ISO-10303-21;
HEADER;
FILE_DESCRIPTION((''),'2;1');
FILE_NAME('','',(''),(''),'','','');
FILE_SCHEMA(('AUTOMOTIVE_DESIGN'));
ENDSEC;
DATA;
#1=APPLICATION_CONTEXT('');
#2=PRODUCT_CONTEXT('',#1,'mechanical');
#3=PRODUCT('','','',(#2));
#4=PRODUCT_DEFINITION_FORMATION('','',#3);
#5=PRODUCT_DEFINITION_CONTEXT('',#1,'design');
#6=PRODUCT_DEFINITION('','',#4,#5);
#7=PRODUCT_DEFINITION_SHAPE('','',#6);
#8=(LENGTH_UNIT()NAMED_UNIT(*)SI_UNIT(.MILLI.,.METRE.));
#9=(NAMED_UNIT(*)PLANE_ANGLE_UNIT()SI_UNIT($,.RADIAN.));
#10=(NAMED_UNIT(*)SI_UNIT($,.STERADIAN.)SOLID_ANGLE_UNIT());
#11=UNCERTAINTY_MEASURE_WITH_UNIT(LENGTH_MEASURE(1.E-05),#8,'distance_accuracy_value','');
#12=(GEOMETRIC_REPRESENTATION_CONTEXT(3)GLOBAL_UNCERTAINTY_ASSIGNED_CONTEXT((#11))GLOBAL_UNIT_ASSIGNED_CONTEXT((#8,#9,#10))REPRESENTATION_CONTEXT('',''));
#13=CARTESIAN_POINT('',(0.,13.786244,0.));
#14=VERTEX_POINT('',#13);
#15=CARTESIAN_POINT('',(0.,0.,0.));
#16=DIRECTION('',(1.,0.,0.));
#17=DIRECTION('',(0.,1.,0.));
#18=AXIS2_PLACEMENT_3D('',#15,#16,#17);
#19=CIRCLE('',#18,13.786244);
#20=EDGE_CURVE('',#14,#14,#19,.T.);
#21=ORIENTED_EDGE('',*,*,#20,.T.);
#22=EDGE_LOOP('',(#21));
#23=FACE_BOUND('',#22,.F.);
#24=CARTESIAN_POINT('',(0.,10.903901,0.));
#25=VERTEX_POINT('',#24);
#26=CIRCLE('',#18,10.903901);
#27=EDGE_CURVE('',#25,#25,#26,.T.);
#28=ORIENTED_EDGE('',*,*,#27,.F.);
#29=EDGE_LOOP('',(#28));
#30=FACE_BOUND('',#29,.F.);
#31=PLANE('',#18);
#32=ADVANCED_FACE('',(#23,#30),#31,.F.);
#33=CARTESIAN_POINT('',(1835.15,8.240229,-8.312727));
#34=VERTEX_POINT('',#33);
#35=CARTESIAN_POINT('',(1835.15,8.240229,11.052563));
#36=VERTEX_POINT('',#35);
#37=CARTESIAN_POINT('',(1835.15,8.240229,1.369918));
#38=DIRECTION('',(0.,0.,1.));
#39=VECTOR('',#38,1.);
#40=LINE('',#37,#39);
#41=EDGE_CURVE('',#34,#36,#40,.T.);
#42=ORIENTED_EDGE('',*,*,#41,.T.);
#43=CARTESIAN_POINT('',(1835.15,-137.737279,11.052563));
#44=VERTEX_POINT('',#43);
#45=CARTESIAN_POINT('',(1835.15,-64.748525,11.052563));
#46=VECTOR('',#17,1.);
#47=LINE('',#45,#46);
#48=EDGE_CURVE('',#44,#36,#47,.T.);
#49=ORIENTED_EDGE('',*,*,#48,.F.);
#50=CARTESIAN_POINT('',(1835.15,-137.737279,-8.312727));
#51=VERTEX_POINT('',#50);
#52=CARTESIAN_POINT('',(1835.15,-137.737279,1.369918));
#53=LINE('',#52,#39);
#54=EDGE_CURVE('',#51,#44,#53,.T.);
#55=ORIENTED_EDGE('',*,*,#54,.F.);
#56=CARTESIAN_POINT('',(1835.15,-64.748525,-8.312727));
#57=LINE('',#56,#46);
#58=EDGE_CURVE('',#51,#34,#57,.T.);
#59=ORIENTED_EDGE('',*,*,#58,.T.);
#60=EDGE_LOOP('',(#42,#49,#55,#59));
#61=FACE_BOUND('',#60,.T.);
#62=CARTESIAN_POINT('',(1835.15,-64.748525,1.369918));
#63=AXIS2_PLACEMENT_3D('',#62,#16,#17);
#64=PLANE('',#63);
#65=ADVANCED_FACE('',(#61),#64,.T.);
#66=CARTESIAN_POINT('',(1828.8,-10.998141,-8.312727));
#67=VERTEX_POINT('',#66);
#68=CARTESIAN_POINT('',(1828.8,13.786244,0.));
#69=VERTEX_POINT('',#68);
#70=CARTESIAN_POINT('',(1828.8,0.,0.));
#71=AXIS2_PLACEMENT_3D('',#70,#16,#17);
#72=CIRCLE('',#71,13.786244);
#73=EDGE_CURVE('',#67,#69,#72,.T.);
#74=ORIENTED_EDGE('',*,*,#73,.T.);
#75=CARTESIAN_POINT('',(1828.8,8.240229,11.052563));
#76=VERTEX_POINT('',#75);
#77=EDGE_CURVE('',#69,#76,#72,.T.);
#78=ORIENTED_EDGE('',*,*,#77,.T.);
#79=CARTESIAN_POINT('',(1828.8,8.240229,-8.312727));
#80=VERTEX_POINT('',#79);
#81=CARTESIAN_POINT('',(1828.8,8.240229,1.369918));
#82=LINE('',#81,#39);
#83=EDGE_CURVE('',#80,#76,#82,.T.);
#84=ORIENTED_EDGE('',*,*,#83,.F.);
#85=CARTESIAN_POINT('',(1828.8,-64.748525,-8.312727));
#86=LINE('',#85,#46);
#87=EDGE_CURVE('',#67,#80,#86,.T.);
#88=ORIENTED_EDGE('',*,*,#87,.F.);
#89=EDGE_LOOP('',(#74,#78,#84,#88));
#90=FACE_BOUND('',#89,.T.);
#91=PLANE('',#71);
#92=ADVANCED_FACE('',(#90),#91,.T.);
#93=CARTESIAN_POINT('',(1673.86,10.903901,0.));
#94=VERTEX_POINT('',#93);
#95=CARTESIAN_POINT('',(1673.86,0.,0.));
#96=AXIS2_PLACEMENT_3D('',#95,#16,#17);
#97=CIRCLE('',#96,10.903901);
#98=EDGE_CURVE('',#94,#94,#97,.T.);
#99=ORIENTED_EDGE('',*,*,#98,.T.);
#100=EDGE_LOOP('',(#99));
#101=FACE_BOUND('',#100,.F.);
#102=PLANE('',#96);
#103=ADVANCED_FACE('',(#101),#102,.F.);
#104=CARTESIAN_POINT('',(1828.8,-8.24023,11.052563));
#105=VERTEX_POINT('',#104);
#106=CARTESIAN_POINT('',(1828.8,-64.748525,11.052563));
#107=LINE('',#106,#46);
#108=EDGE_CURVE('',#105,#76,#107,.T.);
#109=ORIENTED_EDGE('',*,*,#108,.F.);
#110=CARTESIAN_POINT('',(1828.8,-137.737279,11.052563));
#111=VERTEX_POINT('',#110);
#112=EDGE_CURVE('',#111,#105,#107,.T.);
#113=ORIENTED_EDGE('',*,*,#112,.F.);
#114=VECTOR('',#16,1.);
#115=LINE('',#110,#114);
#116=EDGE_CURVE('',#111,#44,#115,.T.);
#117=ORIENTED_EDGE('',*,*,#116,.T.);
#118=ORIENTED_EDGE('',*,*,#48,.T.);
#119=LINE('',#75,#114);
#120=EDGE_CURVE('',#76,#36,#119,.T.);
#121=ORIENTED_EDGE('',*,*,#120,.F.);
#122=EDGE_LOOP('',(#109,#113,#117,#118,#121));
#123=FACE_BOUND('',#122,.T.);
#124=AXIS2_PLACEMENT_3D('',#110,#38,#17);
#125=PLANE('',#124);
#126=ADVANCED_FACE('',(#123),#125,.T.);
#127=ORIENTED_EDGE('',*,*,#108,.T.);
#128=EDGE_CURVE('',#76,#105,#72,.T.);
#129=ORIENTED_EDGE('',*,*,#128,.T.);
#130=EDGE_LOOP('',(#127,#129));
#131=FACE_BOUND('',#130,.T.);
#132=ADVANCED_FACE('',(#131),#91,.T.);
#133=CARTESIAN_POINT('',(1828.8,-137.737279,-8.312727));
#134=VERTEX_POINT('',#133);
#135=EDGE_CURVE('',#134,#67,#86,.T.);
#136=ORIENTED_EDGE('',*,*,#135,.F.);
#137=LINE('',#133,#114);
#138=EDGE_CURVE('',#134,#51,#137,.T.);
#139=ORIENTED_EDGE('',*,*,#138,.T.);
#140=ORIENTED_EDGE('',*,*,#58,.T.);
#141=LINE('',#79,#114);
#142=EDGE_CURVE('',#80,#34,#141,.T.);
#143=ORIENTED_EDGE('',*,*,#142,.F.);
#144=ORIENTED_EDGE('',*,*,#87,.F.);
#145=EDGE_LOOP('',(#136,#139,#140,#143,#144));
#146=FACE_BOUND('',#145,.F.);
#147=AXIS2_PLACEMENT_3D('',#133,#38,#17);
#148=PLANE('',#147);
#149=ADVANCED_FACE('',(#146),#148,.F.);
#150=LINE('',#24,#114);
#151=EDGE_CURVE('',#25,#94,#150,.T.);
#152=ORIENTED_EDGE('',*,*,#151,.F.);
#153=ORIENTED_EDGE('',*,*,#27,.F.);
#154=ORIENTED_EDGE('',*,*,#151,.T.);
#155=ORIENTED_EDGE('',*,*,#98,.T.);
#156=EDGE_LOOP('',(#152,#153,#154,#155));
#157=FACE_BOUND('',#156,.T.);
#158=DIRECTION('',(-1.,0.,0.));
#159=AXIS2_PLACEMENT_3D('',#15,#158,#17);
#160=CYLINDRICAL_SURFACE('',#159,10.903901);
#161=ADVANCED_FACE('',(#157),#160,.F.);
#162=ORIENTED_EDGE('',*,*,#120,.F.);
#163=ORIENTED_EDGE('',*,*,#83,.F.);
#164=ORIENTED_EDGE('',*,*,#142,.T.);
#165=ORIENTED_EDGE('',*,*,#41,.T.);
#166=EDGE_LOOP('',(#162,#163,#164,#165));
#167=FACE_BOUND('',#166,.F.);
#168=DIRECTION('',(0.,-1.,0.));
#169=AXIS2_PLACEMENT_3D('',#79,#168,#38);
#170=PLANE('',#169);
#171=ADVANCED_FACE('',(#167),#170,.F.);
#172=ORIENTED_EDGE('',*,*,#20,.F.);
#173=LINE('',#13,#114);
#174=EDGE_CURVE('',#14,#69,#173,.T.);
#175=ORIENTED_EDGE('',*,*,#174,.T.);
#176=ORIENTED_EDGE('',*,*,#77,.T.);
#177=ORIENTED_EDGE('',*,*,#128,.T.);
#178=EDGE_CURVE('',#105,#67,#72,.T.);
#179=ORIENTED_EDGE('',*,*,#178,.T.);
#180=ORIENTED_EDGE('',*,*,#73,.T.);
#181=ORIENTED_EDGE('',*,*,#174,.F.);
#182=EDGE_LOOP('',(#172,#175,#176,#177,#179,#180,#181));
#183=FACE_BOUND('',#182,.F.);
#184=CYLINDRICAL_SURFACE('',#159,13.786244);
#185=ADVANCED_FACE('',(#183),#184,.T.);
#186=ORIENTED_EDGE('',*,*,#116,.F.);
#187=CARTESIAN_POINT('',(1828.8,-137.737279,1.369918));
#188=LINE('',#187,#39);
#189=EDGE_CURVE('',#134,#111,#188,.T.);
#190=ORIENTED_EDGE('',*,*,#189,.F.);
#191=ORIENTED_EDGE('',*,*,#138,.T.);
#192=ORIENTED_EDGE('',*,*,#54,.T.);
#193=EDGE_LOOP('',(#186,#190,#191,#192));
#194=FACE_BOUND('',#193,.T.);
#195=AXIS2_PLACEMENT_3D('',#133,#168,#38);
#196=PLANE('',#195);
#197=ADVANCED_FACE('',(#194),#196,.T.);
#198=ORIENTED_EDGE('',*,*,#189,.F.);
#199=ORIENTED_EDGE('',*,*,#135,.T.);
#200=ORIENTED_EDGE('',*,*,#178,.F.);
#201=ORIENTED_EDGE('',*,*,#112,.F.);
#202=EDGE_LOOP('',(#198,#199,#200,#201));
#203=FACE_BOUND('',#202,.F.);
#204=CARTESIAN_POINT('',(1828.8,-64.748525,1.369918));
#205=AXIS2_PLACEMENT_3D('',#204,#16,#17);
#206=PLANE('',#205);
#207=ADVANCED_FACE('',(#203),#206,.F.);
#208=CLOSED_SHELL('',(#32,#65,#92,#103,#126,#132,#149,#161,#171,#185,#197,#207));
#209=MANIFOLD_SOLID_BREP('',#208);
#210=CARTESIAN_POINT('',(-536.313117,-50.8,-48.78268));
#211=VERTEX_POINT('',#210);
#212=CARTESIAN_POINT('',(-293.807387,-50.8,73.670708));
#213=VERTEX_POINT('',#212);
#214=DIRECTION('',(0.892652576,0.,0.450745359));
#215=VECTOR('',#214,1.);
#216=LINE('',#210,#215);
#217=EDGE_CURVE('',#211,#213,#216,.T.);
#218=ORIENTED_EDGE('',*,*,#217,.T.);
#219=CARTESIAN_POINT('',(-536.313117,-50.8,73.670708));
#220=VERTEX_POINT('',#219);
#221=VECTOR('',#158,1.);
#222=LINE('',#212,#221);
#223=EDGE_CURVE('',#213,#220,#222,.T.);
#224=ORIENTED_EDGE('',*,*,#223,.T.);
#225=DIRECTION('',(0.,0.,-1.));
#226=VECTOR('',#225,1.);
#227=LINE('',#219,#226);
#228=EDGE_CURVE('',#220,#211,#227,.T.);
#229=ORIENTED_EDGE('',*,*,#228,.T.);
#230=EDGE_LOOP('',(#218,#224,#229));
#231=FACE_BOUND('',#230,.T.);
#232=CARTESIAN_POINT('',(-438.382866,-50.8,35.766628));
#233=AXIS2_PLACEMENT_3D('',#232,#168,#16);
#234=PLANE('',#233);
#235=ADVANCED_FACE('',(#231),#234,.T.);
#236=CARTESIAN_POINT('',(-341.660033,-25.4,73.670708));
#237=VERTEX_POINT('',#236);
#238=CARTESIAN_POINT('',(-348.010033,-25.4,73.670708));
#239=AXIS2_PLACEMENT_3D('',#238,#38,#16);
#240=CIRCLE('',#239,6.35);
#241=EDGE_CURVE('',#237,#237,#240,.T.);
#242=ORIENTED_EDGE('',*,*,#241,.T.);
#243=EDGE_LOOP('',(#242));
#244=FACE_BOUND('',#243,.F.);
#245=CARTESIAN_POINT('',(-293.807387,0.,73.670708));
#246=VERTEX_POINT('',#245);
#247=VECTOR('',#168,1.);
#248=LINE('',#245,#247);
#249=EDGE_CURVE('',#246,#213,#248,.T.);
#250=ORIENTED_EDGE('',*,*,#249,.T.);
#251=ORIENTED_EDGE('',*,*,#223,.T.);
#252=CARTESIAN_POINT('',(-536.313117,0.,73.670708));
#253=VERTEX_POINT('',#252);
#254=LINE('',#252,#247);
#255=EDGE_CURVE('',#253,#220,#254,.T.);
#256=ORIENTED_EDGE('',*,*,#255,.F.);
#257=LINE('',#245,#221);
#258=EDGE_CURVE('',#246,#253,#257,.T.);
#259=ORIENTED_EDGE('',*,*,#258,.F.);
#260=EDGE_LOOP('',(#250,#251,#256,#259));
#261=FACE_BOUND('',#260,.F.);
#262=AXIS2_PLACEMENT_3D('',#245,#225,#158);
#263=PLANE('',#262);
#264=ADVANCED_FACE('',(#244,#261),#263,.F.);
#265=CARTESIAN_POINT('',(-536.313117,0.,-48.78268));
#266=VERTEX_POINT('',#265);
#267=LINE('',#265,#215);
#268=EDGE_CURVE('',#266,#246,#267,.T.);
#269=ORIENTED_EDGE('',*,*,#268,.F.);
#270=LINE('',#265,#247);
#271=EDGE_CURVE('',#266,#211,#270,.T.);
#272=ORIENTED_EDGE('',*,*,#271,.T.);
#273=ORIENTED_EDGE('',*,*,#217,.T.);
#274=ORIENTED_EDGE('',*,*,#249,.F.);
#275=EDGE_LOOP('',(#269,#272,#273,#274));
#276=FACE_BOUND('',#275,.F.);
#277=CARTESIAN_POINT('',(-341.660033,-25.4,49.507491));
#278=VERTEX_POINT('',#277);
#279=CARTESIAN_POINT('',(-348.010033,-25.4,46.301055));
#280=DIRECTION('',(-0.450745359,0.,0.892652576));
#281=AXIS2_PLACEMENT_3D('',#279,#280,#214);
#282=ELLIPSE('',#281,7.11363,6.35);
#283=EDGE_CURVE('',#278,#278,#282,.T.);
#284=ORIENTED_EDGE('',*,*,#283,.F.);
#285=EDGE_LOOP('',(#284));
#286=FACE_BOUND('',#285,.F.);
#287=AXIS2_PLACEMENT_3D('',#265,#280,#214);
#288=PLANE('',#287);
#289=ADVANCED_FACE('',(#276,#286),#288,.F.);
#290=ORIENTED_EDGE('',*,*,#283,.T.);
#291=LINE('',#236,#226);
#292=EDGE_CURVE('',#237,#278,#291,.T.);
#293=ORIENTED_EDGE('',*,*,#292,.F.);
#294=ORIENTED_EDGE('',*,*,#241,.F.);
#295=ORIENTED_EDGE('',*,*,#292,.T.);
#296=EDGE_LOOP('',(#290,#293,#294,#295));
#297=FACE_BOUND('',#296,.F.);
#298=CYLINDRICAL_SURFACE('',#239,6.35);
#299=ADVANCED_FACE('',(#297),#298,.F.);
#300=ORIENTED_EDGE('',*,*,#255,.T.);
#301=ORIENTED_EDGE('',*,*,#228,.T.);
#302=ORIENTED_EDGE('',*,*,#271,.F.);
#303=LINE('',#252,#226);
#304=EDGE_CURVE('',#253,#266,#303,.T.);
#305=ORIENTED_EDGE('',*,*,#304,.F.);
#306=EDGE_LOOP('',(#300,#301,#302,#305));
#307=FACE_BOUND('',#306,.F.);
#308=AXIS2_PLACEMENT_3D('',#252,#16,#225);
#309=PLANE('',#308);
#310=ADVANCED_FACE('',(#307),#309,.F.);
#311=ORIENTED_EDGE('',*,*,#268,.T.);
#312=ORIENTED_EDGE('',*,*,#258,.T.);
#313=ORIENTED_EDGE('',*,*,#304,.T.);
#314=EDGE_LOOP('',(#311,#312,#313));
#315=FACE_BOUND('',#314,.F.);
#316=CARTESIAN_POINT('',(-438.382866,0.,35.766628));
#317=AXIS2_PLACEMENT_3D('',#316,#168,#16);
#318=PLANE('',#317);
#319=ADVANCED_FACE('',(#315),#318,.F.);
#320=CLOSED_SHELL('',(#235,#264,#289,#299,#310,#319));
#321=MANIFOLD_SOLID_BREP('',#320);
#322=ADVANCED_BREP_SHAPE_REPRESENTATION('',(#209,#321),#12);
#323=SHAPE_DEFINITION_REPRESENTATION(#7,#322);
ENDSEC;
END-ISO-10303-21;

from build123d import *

# Parameters (mm, degrees)
F0_R     = 13.786244
F1_DEPTH = 1828.8
F2_R     = 10.903901
F3_DEPTH = 1673.86
F4_W     = 145.977509
F4_H     = 19.365289
F5_DEPTH = 6.35
F7_DEPTH = 50.8
F8_R     = 6.35
F9_DEPTH = 38.1


with BuildPart() as f1:
    # F0 (on Right) → F1 (new body)
    with BuildSketch(Plane.YZ):
        Circle(F0_R)
    extrude(amount=F1_DEPTH)

    # F2 (on Right) → F3 (cut)
    with BuildSketch(Plane.YZ):
        Circle(F2_R)
    extrude(amount=F3_DEPTH, mode=Mode.SUBTRACT)

    # F4 (on face) → F5 (join)
    with BuildSketch(Plane.YZ.offset(1828.8)):
        with Locations((-64.748525, 1.369918)):
            Rectangle(F4_W, F4_H)
    extrude(amount=F5_DEPTH)


with BuildPart() as f7:
    # F6 (on Front) → F7 (new body)
    with BuildSketch(Plane.XZ):
        Polygon((-293.807387, 73.670708), (-536.313117, 73.670708), (-536.313117, -48.78268), align=None)
    extrude(amount=F7_DEPTH)

    # F8 (on face) → F9 (cut)
    with BuildSketch(Plane.XY.offset(73.670708)):
        with Locations((-348.010033, -25.4)):
            Circle(F8_R)
    extrude(amount=-F9_DEPTH, mode=Mode.SUBTRACT)


solid = Compound([f1.part, f7.part])
